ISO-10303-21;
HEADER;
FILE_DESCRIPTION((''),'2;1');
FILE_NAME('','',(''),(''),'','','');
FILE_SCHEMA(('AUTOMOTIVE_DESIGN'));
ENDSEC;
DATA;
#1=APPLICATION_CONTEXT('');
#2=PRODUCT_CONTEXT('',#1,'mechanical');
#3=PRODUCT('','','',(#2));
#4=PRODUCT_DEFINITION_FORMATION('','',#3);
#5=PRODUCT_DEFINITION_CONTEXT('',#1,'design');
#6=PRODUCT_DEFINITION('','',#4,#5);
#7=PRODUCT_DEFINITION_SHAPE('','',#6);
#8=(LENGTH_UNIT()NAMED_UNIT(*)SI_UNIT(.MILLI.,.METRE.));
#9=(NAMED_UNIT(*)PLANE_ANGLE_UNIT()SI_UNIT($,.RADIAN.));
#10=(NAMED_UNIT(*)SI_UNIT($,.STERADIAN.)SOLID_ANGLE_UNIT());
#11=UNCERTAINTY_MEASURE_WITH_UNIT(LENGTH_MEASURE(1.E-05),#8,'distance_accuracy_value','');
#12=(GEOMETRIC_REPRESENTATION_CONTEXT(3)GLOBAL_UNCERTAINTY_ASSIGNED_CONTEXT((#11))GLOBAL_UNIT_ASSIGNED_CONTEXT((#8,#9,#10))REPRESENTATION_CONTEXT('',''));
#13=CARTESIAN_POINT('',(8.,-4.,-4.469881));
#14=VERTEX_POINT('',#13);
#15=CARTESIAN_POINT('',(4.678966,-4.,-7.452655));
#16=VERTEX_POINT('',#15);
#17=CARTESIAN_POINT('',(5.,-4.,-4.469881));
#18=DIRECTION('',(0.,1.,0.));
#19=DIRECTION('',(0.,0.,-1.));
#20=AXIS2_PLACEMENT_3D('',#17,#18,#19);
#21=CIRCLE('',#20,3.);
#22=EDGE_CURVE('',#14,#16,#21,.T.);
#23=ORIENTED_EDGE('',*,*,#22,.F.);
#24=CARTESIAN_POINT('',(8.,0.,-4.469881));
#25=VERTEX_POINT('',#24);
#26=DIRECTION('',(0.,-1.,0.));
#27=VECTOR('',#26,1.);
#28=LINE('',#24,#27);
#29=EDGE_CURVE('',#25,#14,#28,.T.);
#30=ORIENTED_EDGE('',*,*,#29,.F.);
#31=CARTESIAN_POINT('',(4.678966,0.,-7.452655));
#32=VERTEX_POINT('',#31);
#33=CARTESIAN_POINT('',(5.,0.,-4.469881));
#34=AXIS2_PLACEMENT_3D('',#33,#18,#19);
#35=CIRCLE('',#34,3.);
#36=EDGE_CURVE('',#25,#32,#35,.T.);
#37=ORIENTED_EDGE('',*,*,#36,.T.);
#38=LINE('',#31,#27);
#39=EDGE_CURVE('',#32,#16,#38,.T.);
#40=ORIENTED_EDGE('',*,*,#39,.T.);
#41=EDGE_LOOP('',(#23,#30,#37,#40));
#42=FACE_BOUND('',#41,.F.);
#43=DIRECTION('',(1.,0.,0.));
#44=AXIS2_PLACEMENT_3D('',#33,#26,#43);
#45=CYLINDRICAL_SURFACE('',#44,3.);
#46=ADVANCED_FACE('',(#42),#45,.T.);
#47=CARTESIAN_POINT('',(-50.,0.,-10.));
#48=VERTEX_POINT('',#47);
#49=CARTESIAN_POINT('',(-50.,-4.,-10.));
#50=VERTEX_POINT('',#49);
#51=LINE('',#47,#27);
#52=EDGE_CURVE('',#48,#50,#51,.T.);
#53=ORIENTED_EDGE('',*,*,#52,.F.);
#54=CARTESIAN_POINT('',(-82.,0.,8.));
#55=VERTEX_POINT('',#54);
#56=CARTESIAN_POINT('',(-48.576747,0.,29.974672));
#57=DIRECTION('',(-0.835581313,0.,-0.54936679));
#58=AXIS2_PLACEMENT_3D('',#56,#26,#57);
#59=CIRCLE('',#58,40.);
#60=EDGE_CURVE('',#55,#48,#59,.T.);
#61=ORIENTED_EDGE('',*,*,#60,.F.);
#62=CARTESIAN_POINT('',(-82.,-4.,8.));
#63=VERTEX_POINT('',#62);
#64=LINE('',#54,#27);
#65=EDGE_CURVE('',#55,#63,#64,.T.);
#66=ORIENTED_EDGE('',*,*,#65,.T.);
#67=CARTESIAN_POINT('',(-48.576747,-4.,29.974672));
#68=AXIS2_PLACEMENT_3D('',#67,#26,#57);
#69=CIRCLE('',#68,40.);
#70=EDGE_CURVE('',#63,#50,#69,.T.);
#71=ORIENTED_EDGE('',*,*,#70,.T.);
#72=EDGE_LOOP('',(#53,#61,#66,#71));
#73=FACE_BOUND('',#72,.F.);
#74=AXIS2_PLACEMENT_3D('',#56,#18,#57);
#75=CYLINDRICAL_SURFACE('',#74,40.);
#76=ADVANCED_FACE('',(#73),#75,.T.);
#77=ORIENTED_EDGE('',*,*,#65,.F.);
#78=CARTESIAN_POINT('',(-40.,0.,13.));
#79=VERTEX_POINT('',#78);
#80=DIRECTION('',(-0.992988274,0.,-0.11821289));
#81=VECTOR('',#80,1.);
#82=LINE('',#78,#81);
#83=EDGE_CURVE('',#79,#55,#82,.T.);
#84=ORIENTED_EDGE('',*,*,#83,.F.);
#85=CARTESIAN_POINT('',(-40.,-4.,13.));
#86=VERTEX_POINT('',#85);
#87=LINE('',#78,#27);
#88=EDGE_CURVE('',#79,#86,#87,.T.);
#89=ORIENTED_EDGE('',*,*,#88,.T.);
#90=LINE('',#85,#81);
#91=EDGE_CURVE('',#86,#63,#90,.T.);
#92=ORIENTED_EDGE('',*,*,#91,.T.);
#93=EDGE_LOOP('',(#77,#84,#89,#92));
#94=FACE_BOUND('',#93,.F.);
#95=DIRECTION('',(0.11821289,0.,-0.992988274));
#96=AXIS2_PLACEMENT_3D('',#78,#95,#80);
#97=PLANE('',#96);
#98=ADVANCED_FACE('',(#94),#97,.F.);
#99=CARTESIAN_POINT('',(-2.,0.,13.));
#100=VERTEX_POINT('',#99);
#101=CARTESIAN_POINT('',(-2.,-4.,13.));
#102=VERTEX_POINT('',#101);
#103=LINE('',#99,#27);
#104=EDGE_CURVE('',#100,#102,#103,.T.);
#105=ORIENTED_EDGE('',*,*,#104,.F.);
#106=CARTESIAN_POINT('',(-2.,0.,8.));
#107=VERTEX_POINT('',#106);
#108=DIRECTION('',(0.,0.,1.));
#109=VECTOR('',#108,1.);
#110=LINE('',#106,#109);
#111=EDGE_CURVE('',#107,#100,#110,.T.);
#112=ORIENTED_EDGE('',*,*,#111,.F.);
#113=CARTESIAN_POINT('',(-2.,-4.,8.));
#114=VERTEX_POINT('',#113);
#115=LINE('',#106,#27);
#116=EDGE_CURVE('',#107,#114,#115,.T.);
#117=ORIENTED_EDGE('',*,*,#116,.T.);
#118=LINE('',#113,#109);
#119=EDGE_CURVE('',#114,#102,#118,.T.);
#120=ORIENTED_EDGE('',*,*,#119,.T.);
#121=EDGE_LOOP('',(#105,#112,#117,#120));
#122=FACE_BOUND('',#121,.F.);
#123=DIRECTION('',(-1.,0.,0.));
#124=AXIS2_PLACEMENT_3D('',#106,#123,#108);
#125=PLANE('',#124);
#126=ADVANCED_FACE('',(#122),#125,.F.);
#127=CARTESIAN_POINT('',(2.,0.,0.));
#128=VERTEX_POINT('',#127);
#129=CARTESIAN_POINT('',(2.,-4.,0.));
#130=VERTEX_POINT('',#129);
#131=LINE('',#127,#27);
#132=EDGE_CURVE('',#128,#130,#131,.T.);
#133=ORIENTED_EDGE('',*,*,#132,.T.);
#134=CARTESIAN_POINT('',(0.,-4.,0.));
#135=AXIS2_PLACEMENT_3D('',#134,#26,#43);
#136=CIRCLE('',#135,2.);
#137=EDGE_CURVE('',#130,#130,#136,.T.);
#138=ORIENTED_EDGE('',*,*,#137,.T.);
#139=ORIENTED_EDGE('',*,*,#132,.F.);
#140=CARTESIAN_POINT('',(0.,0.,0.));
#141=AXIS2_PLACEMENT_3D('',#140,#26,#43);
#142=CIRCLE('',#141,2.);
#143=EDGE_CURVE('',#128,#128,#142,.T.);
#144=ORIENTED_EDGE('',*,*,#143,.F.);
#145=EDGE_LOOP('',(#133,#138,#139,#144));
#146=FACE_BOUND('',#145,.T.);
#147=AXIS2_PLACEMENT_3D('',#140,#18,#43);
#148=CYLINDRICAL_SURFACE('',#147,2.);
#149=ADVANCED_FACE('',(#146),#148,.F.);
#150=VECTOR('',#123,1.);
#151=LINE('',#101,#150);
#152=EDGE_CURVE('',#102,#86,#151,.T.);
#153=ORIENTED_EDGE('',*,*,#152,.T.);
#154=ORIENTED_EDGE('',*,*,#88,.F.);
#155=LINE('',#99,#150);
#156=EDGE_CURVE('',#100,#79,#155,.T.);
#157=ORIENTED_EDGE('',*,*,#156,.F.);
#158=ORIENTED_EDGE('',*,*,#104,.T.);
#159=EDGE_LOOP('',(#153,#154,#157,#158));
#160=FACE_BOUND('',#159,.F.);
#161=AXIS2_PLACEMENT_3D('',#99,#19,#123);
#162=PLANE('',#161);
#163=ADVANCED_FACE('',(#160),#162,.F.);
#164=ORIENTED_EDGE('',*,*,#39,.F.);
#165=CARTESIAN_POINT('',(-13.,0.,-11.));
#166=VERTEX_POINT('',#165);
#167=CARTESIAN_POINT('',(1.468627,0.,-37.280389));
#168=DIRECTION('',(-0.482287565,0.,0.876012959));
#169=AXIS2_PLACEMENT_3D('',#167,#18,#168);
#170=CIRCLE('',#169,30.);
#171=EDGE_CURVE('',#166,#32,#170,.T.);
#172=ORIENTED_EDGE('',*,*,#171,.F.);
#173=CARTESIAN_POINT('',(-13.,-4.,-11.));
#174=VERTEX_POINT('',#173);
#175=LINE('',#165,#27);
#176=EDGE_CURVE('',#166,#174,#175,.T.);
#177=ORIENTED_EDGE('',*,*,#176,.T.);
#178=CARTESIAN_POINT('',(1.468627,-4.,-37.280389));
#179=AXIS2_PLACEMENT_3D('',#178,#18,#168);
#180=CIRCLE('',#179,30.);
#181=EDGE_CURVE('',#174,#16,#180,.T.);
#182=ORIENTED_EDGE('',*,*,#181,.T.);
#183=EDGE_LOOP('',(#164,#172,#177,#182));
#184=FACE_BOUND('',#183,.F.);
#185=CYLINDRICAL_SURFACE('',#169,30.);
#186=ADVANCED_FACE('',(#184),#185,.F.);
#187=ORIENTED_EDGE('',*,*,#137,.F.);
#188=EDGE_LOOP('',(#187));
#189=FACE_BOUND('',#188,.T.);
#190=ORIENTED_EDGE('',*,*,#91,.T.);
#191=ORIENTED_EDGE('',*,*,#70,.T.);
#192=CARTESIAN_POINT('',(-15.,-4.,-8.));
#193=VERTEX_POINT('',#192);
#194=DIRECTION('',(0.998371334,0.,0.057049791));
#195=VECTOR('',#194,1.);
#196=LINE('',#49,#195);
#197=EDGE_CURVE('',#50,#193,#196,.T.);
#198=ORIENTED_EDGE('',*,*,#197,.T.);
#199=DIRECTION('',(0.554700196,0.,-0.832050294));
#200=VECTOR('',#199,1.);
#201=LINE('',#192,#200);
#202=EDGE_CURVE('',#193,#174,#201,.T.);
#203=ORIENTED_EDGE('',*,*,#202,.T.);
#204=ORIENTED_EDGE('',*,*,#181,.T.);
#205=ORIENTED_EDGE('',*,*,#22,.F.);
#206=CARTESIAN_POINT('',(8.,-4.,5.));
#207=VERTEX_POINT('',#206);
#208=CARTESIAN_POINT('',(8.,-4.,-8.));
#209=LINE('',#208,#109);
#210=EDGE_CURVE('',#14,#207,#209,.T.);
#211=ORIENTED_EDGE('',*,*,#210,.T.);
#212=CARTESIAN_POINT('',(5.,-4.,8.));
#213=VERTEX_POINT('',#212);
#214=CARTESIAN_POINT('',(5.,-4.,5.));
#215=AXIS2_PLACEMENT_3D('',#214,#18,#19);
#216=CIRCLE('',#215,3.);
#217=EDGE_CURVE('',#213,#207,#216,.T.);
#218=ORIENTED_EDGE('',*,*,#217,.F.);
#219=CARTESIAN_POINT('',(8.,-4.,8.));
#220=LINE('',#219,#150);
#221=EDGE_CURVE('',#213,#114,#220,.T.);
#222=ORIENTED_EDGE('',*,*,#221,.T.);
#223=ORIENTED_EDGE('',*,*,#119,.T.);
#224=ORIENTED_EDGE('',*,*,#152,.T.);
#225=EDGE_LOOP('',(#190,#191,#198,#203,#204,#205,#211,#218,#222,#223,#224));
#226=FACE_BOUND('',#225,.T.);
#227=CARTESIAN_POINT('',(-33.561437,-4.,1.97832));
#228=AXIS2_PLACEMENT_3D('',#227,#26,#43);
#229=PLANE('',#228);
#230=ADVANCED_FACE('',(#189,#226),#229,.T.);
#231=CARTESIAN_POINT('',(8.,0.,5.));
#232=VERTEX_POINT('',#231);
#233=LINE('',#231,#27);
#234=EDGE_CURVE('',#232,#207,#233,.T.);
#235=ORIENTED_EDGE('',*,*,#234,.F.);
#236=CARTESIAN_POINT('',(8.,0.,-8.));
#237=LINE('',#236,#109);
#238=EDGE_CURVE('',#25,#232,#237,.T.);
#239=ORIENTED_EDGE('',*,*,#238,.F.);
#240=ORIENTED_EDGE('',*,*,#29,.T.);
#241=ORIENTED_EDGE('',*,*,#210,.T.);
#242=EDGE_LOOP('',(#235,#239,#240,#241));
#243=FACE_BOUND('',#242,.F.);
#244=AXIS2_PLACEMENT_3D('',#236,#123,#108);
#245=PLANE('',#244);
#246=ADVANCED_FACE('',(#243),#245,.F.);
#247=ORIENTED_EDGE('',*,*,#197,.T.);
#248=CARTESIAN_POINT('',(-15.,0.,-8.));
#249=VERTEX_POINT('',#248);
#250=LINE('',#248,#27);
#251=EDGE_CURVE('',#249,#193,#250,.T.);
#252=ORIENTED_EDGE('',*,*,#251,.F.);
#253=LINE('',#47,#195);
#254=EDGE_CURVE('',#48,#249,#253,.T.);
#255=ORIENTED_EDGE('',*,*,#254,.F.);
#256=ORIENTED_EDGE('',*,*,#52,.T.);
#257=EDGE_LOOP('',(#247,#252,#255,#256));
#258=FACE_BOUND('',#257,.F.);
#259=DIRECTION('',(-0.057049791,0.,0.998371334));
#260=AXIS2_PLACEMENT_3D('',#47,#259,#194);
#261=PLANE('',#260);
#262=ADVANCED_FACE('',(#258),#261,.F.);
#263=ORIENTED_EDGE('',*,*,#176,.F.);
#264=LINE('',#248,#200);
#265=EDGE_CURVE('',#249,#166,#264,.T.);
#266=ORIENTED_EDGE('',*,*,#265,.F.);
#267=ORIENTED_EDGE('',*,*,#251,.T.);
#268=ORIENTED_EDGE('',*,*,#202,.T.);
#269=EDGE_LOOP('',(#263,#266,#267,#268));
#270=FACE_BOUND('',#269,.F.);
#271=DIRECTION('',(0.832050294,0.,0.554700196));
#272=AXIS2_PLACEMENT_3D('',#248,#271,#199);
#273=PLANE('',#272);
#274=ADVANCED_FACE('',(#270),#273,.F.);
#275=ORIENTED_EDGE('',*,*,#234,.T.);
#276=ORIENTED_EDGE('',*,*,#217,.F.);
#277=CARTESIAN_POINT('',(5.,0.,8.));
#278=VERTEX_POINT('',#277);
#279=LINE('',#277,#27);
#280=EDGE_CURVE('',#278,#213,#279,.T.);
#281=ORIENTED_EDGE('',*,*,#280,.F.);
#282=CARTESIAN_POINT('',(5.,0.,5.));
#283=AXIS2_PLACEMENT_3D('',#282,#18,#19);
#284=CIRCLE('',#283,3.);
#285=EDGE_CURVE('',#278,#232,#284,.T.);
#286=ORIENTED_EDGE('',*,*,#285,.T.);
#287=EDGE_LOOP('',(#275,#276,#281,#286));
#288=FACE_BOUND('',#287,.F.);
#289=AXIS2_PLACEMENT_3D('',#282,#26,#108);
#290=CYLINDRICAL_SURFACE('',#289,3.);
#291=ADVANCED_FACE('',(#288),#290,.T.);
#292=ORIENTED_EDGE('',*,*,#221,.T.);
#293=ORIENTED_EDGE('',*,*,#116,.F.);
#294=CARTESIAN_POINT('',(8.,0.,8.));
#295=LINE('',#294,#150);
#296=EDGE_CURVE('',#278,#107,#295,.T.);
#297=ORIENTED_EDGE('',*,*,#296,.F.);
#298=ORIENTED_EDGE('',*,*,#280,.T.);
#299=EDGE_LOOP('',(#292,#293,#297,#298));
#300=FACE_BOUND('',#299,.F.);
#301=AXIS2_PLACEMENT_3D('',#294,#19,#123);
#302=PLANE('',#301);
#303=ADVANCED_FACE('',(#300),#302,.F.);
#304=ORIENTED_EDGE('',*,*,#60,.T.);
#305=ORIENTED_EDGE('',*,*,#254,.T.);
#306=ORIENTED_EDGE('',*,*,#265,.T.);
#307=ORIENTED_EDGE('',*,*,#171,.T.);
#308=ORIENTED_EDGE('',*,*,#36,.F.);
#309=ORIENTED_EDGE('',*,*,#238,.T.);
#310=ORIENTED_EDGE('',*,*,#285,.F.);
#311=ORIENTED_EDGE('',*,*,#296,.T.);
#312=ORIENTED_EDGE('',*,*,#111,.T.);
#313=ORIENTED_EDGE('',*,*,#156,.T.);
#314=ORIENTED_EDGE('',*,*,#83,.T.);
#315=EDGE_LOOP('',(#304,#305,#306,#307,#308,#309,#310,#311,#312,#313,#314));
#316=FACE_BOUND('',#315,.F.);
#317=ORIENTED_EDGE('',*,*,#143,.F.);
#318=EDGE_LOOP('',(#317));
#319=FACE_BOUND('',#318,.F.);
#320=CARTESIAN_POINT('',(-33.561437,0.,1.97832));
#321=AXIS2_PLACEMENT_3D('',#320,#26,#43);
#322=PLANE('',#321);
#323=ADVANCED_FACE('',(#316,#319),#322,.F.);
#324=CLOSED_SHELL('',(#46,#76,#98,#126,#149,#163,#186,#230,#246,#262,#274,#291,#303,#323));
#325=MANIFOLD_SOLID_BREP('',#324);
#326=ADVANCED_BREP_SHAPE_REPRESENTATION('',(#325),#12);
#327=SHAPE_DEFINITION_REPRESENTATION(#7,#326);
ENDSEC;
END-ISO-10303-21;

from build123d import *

# Parameters (mm, degrees)
F0_R     = 2
F1_DEPTH = 4
F2_R     = 3


with BuildPart() as f1:
    # F0 (on Front) → F1 (new body)
    with BuildSketch(Plane.XZ):
        with BuildLine():
            Line((8, 8), (-2, 8))
            Line((-2, 8), (-2, 13))
            Line((-2, 13), (-40, 13))
            Line((-40, 13), (-82, 8))
            ThreePointArc((-82, 8), (-68.187197, -4.88835), (-50, -10))
            Line((-50, -10), (-15, -8))
            Line((-15, -8), (-13, -11))
            ThreePointArc((-13, -11), (-2.774014, -7.581904), (8, -8))
            Line((8, -8), (8, 8))
        make_face()
        Circle(F0_R, mode=Mode.SUBTRACT)
    extrude(amount=F1_DEPTH)

    # F2
    f2_edges = [f1.edges().sort_by_distance(p)[0] for p in [
        (8, -2, 8),
        (8, -2, -8),
    ]]
    fillet(f2_edges, radius=F2_R)


solid = f1.part
